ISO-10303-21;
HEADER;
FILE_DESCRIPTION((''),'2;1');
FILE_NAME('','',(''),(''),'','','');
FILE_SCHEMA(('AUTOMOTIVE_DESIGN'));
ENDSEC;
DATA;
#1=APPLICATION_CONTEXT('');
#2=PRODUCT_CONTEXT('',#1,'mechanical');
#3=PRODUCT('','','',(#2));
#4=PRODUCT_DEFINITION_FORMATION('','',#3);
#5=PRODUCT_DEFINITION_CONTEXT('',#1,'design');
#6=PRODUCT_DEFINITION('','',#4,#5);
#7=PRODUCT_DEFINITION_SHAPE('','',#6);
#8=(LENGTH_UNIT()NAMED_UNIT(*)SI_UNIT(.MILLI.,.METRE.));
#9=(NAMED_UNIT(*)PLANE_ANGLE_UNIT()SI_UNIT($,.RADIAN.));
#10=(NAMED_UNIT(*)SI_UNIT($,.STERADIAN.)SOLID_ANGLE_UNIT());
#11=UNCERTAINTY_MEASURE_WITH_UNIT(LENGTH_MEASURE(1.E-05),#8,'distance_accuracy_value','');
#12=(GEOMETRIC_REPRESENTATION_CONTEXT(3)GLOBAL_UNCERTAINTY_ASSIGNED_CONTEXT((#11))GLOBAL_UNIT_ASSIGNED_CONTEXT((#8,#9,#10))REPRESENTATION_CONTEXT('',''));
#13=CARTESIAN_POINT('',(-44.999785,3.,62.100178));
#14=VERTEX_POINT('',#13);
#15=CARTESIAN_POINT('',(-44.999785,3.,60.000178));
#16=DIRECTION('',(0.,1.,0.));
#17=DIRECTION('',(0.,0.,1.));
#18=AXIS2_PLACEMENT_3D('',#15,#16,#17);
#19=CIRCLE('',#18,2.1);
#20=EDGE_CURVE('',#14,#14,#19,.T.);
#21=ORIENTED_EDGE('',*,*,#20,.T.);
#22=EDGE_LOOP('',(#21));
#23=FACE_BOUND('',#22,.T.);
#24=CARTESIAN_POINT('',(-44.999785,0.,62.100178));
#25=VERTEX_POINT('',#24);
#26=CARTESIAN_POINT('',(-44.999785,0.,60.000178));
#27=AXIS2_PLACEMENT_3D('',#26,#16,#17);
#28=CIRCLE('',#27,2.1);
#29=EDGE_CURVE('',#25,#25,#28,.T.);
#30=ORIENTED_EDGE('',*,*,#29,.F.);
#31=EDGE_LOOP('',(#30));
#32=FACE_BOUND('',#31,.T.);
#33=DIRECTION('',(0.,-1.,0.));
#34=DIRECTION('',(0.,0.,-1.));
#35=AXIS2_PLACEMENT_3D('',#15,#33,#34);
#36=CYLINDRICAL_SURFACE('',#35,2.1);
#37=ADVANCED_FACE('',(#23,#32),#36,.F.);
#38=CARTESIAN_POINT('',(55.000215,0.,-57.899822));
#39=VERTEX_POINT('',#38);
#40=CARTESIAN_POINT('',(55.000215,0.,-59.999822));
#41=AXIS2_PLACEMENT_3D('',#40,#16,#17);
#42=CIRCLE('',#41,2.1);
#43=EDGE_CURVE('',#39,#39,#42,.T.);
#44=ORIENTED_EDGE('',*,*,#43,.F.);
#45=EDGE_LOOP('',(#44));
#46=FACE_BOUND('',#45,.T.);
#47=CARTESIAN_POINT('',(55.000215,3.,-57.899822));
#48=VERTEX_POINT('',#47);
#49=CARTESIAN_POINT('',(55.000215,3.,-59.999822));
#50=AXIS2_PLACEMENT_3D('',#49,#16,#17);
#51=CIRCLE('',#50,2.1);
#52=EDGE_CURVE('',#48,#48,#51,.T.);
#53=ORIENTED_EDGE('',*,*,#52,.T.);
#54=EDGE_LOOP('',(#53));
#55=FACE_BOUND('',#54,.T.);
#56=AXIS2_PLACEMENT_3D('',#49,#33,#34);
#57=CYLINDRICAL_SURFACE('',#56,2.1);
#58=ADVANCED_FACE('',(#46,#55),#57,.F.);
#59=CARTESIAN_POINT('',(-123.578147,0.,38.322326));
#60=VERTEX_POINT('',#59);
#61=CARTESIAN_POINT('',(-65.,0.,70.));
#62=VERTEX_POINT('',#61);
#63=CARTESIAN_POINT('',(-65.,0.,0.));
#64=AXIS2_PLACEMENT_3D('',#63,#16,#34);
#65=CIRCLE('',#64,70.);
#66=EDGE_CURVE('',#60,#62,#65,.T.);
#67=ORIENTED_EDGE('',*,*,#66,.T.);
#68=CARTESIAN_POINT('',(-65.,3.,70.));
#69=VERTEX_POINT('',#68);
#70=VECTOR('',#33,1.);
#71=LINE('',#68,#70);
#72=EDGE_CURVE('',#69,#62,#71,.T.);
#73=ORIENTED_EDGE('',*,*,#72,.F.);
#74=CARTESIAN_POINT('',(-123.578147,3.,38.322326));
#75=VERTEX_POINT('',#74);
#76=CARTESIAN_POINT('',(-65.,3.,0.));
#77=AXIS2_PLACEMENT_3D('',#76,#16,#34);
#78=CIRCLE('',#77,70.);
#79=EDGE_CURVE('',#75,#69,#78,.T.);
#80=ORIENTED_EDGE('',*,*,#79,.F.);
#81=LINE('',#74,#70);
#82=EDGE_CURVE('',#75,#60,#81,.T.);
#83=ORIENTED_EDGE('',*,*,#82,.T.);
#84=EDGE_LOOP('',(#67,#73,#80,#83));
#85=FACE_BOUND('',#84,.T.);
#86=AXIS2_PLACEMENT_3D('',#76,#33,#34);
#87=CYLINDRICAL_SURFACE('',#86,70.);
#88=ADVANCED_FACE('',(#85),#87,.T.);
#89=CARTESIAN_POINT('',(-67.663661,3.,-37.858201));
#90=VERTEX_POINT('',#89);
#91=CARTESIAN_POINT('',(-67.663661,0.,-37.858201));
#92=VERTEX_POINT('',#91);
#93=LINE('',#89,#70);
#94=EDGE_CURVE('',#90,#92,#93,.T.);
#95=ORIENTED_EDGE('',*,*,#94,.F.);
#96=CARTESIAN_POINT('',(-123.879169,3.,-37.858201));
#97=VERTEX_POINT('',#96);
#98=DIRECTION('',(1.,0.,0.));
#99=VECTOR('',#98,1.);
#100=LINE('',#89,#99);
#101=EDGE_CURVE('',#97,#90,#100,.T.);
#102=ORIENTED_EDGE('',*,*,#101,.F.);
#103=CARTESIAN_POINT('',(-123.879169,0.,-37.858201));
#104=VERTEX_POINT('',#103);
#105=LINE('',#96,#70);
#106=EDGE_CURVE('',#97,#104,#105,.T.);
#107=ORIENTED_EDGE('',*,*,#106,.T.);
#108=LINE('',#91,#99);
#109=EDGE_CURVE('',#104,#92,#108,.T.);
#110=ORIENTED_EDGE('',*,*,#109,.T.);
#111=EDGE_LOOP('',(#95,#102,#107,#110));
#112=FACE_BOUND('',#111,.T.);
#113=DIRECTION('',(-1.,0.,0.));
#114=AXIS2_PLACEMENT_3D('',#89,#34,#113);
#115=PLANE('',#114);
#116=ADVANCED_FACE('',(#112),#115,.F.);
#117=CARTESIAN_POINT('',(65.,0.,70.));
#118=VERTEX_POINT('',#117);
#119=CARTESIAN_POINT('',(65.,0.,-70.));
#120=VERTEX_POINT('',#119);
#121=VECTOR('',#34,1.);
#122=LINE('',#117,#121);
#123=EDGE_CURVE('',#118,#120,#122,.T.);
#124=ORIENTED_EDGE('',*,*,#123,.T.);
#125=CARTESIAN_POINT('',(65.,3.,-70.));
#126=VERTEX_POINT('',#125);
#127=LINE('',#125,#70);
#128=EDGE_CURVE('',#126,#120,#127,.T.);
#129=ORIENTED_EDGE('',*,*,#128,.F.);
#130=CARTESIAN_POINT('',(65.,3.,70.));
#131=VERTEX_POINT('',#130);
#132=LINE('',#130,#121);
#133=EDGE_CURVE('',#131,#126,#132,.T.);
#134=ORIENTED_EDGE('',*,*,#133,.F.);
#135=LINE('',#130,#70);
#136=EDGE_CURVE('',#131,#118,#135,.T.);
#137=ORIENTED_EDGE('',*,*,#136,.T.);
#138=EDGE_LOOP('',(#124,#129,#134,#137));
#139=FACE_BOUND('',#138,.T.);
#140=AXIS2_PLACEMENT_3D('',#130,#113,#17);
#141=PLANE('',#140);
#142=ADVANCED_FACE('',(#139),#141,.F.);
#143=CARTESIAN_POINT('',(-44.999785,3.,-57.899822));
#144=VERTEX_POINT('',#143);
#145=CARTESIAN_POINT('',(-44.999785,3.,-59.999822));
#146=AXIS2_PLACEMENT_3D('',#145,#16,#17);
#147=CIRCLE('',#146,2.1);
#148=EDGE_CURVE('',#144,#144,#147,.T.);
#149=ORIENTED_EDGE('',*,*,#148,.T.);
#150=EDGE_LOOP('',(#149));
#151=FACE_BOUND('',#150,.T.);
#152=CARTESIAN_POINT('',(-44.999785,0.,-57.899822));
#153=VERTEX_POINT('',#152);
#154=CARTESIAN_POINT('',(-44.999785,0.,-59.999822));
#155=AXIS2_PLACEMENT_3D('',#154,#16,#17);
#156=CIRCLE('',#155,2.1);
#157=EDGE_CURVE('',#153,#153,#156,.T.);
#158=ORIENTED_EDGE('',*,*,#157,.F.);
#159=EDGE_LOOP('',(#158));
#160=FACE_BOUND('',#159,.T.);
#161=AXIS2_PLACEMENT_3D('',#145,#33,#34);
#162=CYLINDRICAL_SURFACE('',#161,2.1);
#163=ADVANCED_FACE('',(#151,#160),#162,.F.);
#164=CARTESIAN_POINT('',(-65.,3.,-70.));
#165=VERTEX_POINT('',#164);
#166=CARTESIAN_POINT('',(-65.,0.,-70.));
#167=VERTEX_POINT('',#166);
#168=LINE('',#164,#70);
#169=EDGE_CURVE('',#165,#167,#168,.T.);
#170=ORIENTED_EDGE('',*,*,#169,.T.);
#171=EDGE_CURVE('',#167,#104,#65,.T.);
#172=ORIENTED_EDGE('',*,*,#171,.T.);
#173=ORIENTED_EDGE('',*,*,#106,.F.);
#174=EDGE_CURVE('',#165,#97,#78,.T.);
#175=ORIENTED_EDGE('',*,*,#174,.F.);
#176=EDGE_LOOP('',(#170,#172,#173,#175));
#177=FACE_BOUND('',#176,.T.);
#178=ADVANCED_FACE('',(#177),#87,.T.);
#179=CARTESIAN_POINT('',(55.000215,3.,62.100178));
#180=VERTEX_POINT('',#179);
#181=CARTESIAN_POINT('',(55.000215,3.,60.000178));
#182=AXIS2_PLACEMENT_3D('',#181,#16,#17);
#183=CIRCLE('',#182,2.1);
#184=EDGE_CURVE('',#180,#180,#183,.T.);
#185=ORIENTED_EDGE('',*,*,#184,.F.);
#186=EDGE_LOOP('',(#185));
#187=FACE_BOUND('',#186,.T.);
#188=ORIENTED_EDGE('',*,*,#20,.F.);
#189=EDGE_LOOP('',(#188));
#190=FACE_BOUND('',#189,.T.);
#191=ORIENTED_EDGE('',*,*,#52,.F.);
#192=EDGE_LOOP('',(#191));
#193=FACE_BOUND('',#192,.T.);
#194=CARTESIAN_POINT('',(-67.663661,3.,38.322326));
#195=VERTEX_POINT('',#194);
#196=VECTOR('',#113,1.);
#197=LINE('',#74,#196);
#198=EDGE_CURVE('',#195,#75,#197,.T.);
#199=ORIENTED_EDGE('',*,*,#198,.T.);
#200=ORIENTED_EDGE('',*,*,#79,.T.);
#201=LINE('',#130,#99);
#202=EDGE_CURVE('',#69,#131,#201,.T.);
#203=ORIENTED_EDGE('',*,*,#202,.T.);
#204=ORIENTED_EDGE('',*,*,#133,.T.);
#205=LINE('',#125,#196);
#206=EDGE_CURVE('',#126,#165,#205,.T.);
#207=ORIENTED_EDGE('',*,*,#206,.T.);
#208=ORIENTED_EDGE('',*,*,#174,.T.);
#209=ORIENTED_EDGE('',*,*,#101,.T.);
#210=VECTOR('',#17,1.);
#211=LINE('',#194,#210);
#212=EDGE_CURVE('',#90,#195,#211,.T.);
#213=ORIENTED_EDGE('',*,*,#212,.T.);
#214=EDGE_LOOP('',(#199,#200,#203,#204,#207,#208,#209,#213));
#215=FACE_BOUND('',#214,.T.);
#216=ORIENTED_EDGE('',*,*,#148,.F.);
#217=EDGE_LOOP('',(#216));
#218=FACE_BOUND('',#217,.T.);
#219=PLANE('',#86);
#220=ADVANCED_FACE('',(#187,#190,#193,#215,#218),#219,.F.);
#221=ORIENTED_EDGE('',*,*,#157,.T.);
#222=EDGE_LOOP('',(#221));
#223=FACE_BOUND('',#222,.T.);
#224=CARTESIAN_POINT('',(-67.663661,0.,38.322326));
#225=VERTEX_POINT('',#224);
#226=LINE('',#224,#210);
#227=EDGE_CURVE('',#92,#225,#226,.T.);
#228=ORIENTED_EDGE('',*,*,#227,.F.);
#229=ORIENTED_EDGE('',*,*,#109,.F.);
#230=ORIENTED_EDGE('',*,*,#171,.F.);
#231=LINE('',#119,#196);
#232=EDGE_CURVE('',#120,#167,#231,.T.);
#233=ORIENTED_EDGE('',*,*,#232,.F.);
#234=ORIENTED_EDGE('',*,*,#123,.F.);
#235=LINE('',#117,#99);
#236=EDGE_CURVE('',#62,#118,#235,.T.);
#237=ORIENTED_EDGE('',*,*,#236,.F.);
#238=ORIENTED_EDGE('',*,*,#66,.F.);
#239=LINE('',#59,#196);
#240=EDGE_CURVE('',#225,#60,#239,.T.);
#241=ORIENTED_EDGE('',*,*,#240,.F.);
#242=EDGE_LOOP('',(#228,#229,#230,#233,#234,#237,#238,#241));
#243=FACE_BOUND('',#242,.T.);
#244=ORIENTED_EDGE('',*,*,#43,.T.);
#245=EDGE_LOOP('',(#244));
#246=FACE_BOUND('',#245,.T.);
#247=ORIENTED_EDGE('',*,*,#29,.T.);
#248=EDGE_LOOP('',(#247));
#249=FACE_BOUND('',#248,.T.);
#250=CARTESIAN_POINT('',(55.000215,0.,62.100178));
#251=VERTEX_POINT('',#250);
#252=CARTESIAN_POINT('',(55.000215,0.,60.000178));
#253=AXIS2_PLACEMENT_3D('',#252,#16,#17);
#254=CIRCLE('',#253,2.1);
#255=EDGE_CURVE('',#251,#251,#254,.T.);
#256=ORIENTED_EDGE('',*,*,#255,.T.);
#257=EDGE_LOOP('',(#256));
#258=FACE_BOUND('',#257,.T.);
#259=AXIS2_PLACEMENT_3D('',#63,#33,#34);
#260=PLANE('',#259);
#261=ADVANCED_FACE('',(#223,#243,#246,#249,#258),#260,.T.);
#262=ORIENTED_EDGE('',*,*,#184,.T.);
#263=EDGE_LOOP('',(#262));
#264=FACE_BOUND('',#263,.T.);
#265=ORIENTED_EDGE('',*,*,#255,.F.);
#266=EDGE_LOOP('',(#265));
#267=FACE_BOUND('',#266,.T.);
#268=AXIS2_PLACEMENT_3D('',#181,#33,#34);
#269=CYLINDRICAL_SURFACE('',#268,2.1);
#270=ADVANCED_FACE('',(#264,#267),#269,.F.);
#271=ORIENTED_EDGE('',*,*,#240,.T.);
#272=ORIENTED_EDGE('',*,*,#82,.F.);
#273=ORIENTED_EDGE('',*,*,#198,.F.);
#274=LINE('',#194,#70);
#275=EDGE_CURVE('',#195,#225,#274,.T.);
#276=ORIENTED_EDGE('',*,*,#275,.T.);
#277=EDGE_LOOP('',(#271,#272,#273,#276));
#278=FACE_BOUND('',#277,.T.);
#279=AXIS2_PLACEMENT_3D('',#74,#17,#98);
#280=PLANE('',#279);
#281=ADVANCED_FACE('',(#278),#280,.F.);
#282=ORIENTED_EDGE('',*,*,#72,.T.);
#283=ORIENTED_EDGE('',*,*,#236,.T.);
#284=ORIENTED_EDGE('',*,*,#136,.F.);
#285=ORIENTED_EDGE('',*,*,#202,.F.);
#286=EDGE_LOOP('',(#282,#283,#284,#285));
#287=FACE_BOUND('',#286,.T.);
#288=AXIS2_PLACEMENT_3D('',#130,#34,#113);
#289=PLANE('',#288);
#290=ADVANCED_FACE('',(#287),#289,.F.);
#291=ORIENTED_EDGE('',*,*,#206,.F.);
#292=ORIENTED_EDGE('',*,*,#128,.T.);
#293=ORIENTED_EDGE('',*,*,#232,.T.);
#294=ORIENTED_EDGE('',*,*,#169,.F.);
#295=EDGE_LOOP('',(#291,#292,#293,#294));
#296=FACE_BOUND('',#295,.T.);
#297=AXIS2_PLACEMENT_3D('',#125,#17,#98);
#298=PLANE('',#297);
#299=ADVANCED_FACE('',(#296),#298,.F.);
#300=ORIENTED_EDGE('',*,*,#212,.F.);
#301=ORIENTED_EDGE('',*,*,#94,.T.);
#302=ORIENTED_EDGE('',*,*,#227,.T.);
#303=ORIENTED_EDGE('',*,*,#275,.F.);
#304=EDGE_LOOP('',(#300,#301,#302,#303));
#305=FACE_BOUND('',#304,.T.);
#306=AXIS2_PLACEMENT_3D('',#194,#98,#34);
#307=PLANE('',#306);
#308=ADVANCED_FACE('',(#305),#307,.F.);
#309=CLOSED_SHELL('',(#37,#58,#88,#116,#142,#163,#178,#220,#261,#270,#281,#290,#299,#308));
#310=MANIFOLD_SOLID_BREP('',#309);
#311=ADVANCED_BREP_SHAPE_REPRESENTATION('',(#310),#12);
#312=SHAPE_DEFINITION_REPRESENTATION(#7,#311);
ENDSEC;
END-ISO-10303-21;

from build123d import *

# Parameters (mm, degrees)
SKETCH1_R           = 2.1
BOSS_EXTRUDE1_DEPTH = 3


with BuildPart() as part:
    # Sketch1 → Boss-Extrude1 (new body)
    with BuildSketch(Plane(origin=(0, 0, 0), x_dir=(1, 0, 0), z_dir=(0, 1, 0))):
        with BuildLine():
            Line((65, -70), (-65, -70))
            ThreePointArc((-65, -70), (-98.297426292, -61.573382255), (-123.578147349, -38.32232578))
            Line((-123.578147349, -38.32232578), (-67.663660863, -38.32232578))
            Line((-67.663660863, -38.32232578), (-67.663660863, 37.858201233))
            Line((-67.663660863, 37.858201233), (-123.879169486, 37.858201233))
            ThreePointArc((-123.879169486, 37.858201233), (-98.540467451, 61.441330089), (-65, 70))
            Line((-65, 70), (65, 70))
            Line((65, 70), (65, -70))
        make_face()
        with Locations((-44.999784569, 59.999822317)):
            Circle(SKETCH1_R, mode=Mode.SUBTRACT)
        with Locations((-44.999784569, -60.000177683)):
            Circle(SKETCH1_R, mode=Mode.SUBTRACT)
        with Locations((55.000215431, 59.999822317)):
            Circle(SKETCH1_R, mode=Mode.SUBTRACT)
        with Locations((55.000215431, -60.000177683)):
            Circle(SKETCH1_R, mode=Mode.SUBTRACT)
    extrude(amount=BOSS_EXTRUDE1_DEPTH)


solid = part.part
